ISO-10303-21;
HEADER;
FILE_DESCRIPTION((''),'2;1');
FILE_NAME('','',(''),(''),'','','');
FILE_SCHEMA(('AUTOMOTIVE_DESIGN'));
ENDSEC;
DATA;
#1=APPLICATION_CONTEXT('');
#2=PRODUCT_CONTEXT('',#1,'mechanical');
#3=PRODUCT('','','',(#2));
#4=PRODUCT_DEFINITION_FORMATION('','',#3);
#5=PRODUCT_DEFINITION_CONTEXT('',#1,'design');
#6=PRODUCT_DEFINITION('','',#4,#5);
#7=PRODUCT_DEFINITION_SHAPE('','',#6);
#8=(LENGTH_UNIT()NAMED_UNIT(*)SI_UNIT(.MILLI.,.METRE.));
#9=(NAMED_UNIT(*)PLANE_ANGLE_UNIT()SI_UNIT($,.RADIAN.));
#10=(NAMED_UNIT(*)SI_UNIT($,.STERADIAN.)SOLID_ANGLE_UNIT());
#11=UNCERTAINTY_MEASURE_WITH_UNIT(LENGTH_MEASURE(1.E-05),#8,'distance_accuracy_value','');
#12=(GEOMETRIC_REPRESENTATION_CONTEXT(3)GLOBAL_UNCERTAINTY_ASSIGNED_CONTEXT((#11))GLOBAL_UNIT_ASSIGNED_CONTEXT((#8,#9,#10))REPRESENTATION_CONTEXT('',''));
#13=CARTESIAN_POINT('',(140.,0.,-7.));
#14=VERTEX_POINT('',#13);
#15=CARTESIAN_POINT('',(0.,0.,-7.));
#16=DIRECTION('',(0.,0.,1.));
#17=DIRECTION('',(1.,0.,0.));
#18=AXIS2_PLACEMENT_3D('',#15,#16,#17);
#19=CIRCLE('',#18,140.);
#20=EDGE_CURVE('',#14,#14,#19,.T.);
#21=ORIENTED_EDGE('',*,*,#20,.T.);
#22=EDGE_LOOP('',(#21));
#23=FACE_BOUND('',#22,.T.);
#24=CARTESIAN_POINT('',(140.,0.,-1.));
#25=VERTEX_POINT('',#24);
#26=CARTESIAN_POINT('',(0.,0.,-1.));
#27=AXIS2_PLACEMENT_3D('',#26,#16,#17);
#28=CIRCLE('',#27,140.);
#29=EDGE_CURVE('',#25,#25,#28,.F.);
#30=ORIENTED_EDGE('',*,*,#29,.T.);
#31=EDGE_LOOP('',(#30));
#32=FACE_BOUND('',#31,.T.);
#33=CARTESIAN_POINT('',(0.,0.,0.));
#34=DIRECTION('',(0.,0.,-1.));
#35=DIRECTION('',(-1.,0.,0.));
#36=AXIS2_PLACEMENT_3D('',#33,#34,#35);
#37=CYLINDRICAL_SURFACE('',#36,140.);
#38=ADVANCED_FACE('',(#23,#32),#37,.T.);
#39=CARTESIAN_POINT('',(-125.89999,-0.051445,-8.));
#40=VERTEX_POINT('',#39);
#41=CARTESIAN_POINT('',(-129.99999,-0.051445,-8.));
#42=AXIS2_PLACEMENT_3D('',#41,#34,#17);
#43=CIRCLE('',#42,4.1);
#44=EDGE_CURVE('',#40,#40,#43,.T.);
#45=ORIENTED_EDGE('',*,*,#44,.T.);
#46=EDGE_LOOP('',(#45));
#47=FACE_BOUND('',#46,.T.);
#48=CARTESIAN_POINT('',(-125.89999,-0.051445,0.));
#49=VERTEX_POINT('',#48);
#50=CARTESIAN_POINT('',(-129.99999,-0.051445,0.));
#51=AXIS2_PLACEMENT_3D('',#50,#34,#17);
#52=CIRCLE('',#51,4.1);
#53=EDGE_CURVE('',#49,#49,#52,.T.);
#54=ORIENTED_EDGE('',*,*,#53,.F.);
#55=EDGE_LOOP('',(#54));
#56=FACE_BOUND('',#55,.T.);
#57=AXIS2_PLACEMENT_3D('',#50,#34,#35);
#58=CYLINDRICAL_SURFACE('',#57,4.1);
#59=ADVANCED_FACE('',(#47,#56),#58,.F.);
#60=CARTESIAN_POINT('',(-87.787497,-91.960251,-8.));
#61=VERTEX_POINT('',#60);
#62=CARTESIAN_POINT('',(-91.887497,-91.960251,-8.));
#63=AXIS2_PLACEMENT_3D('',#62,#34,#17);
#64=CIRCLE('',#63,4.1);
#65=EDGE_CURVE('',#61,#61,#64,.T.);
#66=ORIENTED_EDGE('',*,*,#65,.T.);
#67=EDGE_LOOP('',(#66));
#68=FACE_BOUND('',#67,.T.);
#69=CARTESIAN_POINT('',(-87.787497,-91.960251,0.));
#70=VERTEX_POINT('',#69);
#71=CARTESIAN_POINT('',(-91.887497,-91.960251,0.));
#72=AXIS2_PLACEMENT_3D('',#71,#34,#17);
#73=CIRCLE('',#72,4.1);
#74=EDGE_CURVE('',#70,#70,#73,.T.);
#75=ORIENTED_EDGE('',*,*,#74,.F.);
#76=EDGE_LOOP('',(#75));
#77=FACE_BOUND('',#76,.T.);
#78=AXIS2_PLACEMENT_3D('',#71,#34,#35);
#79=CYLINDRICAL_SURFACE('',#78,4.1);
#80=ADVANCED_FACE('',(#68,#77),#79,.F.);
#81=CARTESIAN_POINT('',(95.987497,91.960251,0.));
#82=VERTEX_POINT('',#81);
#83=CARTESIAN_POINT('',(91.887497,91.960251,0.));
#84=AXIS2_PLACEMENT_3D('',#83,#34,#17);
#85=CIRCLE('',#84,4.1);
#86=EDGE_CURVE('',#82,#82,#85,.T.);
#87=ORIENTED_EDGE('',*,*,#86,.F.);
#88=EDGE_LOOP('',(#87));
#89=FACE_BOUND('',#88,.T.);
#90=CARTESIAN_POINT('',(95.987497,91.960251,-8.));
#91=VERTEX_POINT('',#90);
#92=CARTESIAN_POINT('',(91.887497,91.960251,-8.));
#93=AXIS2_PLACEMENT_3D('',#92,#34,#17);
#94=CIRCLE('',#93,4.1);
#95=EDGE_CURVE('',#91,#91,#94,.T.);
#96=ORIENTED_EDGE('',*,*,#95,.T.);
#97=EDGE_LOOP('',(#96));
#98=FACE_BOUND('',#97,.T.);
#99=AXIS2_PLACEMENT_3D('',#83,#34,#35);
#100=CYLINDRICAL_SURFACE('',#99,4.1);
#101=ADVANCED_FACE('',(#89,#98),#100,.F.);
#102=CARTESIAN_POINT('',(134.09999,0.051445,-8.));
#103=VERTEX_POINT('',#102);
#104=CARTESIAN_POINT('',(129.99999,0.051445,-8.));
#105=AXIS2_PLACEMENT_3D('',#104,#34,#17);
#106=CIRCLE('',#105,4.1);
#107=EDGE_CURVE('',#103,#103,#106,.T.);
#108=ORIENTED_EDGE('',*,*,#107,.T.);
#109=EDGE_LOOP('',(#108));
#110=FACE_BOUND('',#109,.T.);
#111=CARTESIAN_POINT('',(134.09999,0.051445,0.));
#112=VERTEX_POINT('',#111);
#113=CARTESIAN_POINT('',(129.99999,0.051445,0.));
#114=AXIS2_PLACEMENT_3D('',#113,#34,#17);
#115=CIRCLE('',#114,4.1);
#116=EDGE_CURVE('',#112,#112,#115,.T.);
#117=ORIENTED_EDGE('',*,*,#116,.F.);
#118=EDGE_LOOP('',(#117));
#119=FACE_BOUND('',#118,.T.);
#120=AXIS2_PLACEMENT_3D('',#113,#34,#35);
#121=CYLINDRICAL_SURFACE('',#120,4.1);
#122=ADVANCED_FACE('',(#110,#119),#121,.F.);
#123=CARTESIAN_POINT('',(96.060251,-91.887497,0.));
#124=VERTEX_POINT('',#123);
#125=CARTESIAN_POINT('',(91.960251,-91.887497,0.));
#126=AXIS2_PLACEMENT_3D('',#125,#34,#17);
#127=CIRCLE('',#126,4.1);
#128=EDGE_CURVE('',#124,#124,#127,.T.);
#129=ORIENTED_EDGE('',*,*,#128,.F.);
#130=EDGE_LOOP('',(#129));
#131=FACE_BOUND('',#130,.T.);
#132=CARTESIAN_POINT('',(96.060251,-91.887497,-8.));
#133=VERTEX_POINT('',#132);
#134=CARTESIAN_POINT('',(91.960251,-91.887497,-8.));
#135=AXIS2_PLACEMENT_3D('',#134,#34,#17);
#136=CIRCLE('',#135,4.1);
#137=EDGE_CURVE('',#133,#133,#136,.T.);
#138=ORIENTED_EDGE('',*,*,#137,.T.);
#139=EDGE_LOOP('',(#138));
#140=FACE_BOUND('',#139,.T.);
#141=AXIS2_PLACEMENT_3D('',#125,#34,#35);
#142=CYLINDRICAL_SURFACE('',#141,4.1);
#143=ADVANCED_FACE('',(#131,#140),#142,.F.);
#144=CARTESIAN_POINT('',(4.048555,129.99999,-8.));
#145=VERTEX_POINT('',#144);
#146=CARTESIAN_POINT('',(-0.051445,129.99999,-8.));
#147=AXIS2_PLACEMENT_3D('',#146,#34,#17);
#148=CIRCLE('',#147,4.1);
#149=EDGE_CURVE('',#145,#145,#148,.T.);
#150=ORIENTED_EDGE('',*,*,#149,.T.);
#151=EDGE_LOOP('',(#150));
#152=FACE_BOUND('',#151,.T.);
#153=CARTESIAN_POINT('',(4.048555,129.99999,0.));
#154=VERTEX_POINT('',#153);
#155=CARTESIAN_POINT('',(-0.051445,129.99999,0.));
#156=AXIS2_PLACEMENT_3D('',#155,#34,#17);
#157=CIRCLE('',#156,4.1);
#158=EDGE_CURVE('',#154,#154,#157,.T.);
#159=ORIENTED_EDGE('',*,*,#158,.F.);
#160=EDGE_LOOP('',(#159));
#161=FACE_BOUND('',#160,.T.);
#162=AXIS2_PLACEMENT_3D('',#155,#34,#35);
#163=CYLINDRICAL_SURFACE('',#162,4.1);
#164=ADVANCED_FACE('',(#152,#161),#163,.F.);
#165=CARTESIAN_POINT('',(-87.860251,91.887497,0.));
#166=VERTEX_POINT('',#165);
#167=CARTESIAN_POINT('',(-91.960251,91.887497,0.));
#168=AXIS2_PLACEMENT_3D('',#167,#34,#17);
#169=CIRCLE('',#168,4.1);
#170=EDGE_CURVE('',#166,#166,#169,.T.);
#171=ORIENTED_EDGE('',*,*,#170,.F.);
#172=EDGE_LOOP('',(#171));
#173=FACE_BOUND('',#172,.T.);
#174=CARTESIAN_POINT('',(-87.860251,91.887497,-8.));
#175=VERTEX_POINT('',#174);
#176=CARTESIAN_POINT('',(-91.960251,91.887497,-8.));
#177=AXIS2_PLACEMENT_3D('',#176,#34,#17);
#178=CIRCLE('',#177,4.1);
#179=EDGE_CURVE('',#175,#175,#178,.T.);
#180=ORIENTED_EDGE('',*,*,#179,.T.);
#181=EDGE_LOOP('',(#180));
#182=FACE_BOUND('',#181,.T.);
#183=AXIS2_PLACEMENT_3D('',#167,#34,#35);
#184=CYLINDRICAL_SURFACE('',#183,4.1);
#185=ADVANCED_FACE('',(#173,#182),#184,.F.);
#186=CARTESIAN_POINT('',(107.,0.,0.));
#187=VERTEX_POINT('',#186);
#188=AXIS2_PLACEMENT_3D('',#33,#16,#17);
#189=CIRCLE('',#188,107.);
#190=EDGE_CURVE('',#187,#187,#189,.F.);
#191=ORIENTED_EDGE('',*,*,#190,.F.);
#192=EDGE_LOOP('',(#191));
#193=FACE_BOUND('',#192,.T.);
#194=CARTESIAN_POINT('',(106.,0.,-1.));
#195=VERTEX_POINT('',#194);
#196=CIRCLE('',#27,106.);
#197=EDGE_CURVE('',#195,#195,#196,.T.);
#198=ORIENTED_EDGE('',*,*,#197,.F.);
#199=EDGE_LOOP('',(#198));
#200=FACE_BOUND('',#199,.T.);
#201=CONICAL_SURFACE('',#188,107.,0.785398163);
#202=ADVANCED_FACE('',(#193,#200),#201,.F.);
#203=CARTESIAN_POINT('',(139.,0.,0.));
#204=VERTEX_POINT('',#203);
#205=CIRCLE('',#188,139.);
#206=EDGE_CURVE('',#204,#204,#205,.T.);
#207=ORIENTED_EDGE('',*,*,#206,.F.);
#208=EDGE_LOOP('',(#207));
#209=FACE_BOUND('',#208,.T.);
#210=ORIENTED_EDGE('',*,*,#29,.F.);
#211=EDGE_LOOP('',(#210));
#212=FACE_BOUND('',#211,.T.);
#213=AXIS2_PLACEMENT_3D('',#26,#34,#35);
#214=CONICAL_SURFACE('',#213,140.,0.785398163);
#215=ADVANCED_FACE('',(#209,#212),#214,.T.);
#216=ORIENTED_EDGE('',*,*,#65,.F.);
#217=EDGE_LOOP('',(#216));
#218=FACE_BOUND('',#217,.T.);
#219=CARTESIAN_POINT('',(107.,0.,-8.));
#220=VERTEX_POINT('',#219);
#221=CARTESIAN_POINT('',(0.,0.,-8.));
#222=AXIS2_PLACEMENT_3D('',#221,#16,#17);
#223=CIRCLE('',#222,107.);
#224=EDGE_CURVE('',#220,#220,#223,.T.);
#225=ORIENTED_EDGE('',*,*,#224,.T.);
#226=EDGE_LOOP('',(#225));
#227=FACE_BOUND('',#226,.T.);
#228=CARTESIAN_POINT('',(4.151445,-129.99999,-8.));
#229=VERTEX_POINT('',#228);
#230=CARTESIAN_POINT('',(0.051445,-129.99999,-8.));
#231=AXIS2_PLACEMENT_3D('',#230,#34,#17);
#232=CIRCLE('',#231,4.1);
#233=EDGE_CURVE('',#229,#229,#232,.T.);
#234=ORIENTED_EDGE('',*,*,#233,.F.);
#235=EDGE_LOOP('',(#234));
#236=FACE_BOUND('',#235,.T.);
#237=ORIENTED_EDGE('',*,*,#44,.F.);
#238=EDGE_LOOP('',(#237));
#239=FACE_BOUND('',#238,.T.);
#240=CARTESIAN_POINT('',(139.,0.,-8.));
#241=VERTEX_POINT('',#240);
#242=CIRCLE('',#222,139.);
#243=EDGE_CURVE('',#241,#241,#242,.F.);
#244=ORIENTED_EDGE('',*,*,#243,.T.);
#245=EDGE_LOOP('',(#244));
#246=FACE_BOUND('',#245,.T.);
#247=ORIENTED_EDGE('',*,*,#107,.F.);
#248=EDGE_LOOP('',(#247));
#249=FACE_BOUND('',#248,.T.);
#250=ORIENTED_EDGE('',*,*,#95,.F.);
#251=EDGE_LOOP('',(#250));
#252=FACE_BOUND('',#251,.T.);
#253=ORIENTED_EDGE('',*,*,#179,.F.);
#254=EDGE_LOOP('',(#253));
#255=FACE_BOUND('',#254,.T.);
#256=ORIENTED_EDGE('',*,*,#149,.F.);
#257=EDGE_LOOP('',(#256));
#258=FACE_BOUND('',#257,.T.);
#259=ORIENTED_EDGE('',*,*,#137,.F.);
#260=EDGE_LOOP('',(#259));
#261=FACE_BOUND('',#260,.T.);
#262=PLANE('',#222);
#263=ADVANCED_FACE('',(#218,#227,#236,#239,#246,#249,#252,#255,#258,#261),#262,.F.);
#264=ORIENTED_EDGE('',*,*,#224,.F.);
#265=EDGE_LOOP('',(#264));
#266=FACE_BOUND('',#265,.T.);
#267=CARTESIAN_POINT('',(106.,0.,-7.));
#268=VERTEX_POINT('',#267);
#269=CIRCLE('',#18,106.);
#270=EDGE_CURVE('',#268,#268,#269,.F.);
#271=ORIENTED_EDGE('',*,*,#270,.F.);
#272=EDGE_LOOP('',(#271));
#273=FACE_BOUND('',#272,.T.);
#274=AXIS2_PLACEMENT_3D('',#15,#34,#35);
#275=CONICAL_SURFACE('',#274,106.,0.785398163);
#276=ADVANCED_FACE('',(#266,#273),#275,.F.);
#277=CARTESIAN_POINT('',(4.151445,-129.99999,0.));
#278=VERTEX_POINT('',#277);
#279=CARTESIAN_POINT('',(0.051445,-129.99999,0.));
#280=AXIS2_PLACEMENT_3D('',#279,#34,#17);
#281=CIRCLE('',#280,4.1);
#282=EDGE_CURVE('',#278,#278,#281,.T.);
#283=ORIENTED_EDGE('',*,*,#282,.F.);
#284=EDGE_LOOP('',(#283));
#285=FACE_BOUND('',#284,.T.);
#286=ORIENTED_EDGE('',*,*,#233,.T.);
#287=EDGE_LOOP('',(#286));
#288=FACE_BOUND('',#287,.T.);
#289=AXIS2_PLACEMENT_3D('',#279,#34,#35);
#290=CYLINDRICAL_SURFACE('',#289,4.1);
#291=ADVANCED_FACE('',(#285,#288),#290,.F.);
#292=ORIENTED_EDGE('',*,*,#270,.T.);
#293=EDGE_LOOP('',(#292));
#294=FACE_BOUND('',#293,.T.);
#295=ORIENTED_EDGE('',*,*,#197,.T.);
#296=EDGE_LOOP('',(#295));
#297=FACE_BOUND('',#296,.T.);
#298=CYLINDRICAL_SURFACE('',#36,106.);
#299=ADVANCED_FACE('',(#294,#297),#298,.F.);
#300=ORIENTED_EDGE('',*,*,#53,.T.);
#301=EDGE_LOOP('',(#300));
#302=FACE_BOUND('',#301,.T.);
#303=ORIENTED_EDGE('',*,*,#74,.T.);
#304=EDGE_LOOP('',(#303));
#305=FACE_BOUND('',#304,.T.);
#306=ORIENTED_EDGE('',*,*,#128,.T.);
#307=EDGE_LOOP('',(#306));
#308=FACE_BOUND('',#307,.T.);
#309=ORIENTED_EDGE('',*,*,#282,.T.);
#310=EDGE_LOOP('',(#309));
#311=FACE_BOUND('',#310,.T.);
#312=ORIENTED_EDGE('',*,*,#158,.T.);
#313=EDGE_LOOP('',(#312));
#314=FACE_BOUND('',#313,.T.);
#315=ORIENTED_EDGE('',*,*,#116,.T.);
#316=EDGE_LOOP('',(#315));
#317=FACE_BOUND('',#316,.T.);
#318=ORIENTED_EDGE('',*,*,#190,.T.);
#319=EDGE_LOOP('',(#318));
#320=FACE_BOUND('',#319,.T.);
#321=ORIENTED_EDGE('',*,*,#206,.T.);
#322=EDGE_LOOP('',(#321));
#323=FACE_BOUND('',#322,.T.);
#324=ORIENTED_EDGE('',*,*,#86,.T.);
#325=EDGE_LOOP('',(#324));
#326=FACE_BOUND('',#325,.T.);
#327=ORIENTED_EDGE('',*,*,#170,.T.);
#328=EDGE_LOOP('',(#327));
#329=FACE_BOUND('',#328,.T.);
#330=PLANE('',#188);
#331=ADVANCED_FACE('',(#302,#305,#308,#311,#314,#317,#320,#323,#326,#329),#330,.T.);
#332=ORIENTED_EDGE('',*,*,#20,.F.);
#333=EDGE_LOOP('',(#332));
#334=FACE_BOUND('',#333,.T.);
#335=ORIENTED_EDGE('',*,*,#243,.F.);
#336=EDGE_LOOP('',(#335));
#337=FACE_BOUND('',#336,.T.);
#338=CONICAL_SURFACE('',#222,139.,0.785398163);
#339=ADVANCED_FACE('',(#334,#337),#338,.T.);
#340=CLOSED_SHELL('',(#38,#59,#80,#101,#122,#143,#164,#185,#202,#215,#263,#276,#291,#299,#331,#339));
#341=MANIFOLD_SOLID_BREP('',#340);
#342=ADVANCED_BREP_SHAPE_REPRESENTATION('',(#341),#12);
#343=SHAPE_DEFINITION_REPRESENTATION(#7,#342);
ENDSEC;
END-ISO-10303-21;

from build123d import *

# Parameters (mm, degrees)
SKETCH1_R           = 140
SKETCH1_R_2         = 4.1
SKETCH1_R_3         = 106
BOSS_EXTRUDE1_DEPTH = 8
CHAMFER2_SIZE       = 1


with BuildPart() as part:
    # Sketch1 → Boss-Extrude1 (new body)
    with BuildSketch(Plane(origin=(0, 0, -8), x_dir=(-1, 0, 0), z_dir=(0, 0, -1))):
        with Locations(Location((0, 0, 0), (0, 0, 180))):
            Circle(SKETCH1_R)
        with Locations(Location((91.960251276, 91.887497437, 0), (0, 0, 180))):
            Circle(SKETCH1_R_2, mode=Mode.SUBTRACT)
        with Locations(Location((129.999989821, -0.051444733, 0), (0, 0, 180))):
            Circle(SKETCH1_R_2, mode=Mode.SUBTRACT)
        with Locations(Location((91.887497437, -91.960251276, 0), (0, 0, 180))):
            Circle(SKETCH1_R_2, mode=Mode.SUBTRACT)
        with Locations(Location((-0.051444733, -129.999989821, 0), (0, 0, 180))):
            Circle(SKETCH1_R_2, mode=Mode.SUBTRACT)
        with Locations(Location((-91.960251276, -91.887497437, 0), (0, 0, 180))):
            Circle(SKETCH1_R_2, mode=Mode.SUBTRACT)
        with Locations(Location((-129.999989821, 0.051444733, 0), (0, 0, 180))):
            Circle(SKETCH1_R_2, mode=Mode.SUBTRACT)
        with Locations(Location((-91.887497437, 91.960251276, 0), (0, 0, 180))):
            Circle(SKETCH1_R_2, mode=Mode.SUBTRACT)
        with Locations(Location((0.051444733, 129.999989821, 0), (0, 0, 180))):
            Circle(SKETCH1_R_2, mode=Mode.SUBTRACT)
        with Locations(Location((0, 0, 0), (0, 0, 180))):
            Circle(SKETCH1_R_3, mode=Mode.SUBTRACT)
    extrude(amount=-BOSS_EXTRUDE1_DEPTH)

    # Chamfer2
    chamfer2_edges = [part.edges().sort_by_distance(p)[0] for p in [
        (-140, 0, -8),
        (-106, 0, 0),
        (-106, 0, -8),
        (-140, 0, 0),
    ]]
    chamfer(chamfer2_edges, length=CHAMFER2_SIZE)


solid = part.part
